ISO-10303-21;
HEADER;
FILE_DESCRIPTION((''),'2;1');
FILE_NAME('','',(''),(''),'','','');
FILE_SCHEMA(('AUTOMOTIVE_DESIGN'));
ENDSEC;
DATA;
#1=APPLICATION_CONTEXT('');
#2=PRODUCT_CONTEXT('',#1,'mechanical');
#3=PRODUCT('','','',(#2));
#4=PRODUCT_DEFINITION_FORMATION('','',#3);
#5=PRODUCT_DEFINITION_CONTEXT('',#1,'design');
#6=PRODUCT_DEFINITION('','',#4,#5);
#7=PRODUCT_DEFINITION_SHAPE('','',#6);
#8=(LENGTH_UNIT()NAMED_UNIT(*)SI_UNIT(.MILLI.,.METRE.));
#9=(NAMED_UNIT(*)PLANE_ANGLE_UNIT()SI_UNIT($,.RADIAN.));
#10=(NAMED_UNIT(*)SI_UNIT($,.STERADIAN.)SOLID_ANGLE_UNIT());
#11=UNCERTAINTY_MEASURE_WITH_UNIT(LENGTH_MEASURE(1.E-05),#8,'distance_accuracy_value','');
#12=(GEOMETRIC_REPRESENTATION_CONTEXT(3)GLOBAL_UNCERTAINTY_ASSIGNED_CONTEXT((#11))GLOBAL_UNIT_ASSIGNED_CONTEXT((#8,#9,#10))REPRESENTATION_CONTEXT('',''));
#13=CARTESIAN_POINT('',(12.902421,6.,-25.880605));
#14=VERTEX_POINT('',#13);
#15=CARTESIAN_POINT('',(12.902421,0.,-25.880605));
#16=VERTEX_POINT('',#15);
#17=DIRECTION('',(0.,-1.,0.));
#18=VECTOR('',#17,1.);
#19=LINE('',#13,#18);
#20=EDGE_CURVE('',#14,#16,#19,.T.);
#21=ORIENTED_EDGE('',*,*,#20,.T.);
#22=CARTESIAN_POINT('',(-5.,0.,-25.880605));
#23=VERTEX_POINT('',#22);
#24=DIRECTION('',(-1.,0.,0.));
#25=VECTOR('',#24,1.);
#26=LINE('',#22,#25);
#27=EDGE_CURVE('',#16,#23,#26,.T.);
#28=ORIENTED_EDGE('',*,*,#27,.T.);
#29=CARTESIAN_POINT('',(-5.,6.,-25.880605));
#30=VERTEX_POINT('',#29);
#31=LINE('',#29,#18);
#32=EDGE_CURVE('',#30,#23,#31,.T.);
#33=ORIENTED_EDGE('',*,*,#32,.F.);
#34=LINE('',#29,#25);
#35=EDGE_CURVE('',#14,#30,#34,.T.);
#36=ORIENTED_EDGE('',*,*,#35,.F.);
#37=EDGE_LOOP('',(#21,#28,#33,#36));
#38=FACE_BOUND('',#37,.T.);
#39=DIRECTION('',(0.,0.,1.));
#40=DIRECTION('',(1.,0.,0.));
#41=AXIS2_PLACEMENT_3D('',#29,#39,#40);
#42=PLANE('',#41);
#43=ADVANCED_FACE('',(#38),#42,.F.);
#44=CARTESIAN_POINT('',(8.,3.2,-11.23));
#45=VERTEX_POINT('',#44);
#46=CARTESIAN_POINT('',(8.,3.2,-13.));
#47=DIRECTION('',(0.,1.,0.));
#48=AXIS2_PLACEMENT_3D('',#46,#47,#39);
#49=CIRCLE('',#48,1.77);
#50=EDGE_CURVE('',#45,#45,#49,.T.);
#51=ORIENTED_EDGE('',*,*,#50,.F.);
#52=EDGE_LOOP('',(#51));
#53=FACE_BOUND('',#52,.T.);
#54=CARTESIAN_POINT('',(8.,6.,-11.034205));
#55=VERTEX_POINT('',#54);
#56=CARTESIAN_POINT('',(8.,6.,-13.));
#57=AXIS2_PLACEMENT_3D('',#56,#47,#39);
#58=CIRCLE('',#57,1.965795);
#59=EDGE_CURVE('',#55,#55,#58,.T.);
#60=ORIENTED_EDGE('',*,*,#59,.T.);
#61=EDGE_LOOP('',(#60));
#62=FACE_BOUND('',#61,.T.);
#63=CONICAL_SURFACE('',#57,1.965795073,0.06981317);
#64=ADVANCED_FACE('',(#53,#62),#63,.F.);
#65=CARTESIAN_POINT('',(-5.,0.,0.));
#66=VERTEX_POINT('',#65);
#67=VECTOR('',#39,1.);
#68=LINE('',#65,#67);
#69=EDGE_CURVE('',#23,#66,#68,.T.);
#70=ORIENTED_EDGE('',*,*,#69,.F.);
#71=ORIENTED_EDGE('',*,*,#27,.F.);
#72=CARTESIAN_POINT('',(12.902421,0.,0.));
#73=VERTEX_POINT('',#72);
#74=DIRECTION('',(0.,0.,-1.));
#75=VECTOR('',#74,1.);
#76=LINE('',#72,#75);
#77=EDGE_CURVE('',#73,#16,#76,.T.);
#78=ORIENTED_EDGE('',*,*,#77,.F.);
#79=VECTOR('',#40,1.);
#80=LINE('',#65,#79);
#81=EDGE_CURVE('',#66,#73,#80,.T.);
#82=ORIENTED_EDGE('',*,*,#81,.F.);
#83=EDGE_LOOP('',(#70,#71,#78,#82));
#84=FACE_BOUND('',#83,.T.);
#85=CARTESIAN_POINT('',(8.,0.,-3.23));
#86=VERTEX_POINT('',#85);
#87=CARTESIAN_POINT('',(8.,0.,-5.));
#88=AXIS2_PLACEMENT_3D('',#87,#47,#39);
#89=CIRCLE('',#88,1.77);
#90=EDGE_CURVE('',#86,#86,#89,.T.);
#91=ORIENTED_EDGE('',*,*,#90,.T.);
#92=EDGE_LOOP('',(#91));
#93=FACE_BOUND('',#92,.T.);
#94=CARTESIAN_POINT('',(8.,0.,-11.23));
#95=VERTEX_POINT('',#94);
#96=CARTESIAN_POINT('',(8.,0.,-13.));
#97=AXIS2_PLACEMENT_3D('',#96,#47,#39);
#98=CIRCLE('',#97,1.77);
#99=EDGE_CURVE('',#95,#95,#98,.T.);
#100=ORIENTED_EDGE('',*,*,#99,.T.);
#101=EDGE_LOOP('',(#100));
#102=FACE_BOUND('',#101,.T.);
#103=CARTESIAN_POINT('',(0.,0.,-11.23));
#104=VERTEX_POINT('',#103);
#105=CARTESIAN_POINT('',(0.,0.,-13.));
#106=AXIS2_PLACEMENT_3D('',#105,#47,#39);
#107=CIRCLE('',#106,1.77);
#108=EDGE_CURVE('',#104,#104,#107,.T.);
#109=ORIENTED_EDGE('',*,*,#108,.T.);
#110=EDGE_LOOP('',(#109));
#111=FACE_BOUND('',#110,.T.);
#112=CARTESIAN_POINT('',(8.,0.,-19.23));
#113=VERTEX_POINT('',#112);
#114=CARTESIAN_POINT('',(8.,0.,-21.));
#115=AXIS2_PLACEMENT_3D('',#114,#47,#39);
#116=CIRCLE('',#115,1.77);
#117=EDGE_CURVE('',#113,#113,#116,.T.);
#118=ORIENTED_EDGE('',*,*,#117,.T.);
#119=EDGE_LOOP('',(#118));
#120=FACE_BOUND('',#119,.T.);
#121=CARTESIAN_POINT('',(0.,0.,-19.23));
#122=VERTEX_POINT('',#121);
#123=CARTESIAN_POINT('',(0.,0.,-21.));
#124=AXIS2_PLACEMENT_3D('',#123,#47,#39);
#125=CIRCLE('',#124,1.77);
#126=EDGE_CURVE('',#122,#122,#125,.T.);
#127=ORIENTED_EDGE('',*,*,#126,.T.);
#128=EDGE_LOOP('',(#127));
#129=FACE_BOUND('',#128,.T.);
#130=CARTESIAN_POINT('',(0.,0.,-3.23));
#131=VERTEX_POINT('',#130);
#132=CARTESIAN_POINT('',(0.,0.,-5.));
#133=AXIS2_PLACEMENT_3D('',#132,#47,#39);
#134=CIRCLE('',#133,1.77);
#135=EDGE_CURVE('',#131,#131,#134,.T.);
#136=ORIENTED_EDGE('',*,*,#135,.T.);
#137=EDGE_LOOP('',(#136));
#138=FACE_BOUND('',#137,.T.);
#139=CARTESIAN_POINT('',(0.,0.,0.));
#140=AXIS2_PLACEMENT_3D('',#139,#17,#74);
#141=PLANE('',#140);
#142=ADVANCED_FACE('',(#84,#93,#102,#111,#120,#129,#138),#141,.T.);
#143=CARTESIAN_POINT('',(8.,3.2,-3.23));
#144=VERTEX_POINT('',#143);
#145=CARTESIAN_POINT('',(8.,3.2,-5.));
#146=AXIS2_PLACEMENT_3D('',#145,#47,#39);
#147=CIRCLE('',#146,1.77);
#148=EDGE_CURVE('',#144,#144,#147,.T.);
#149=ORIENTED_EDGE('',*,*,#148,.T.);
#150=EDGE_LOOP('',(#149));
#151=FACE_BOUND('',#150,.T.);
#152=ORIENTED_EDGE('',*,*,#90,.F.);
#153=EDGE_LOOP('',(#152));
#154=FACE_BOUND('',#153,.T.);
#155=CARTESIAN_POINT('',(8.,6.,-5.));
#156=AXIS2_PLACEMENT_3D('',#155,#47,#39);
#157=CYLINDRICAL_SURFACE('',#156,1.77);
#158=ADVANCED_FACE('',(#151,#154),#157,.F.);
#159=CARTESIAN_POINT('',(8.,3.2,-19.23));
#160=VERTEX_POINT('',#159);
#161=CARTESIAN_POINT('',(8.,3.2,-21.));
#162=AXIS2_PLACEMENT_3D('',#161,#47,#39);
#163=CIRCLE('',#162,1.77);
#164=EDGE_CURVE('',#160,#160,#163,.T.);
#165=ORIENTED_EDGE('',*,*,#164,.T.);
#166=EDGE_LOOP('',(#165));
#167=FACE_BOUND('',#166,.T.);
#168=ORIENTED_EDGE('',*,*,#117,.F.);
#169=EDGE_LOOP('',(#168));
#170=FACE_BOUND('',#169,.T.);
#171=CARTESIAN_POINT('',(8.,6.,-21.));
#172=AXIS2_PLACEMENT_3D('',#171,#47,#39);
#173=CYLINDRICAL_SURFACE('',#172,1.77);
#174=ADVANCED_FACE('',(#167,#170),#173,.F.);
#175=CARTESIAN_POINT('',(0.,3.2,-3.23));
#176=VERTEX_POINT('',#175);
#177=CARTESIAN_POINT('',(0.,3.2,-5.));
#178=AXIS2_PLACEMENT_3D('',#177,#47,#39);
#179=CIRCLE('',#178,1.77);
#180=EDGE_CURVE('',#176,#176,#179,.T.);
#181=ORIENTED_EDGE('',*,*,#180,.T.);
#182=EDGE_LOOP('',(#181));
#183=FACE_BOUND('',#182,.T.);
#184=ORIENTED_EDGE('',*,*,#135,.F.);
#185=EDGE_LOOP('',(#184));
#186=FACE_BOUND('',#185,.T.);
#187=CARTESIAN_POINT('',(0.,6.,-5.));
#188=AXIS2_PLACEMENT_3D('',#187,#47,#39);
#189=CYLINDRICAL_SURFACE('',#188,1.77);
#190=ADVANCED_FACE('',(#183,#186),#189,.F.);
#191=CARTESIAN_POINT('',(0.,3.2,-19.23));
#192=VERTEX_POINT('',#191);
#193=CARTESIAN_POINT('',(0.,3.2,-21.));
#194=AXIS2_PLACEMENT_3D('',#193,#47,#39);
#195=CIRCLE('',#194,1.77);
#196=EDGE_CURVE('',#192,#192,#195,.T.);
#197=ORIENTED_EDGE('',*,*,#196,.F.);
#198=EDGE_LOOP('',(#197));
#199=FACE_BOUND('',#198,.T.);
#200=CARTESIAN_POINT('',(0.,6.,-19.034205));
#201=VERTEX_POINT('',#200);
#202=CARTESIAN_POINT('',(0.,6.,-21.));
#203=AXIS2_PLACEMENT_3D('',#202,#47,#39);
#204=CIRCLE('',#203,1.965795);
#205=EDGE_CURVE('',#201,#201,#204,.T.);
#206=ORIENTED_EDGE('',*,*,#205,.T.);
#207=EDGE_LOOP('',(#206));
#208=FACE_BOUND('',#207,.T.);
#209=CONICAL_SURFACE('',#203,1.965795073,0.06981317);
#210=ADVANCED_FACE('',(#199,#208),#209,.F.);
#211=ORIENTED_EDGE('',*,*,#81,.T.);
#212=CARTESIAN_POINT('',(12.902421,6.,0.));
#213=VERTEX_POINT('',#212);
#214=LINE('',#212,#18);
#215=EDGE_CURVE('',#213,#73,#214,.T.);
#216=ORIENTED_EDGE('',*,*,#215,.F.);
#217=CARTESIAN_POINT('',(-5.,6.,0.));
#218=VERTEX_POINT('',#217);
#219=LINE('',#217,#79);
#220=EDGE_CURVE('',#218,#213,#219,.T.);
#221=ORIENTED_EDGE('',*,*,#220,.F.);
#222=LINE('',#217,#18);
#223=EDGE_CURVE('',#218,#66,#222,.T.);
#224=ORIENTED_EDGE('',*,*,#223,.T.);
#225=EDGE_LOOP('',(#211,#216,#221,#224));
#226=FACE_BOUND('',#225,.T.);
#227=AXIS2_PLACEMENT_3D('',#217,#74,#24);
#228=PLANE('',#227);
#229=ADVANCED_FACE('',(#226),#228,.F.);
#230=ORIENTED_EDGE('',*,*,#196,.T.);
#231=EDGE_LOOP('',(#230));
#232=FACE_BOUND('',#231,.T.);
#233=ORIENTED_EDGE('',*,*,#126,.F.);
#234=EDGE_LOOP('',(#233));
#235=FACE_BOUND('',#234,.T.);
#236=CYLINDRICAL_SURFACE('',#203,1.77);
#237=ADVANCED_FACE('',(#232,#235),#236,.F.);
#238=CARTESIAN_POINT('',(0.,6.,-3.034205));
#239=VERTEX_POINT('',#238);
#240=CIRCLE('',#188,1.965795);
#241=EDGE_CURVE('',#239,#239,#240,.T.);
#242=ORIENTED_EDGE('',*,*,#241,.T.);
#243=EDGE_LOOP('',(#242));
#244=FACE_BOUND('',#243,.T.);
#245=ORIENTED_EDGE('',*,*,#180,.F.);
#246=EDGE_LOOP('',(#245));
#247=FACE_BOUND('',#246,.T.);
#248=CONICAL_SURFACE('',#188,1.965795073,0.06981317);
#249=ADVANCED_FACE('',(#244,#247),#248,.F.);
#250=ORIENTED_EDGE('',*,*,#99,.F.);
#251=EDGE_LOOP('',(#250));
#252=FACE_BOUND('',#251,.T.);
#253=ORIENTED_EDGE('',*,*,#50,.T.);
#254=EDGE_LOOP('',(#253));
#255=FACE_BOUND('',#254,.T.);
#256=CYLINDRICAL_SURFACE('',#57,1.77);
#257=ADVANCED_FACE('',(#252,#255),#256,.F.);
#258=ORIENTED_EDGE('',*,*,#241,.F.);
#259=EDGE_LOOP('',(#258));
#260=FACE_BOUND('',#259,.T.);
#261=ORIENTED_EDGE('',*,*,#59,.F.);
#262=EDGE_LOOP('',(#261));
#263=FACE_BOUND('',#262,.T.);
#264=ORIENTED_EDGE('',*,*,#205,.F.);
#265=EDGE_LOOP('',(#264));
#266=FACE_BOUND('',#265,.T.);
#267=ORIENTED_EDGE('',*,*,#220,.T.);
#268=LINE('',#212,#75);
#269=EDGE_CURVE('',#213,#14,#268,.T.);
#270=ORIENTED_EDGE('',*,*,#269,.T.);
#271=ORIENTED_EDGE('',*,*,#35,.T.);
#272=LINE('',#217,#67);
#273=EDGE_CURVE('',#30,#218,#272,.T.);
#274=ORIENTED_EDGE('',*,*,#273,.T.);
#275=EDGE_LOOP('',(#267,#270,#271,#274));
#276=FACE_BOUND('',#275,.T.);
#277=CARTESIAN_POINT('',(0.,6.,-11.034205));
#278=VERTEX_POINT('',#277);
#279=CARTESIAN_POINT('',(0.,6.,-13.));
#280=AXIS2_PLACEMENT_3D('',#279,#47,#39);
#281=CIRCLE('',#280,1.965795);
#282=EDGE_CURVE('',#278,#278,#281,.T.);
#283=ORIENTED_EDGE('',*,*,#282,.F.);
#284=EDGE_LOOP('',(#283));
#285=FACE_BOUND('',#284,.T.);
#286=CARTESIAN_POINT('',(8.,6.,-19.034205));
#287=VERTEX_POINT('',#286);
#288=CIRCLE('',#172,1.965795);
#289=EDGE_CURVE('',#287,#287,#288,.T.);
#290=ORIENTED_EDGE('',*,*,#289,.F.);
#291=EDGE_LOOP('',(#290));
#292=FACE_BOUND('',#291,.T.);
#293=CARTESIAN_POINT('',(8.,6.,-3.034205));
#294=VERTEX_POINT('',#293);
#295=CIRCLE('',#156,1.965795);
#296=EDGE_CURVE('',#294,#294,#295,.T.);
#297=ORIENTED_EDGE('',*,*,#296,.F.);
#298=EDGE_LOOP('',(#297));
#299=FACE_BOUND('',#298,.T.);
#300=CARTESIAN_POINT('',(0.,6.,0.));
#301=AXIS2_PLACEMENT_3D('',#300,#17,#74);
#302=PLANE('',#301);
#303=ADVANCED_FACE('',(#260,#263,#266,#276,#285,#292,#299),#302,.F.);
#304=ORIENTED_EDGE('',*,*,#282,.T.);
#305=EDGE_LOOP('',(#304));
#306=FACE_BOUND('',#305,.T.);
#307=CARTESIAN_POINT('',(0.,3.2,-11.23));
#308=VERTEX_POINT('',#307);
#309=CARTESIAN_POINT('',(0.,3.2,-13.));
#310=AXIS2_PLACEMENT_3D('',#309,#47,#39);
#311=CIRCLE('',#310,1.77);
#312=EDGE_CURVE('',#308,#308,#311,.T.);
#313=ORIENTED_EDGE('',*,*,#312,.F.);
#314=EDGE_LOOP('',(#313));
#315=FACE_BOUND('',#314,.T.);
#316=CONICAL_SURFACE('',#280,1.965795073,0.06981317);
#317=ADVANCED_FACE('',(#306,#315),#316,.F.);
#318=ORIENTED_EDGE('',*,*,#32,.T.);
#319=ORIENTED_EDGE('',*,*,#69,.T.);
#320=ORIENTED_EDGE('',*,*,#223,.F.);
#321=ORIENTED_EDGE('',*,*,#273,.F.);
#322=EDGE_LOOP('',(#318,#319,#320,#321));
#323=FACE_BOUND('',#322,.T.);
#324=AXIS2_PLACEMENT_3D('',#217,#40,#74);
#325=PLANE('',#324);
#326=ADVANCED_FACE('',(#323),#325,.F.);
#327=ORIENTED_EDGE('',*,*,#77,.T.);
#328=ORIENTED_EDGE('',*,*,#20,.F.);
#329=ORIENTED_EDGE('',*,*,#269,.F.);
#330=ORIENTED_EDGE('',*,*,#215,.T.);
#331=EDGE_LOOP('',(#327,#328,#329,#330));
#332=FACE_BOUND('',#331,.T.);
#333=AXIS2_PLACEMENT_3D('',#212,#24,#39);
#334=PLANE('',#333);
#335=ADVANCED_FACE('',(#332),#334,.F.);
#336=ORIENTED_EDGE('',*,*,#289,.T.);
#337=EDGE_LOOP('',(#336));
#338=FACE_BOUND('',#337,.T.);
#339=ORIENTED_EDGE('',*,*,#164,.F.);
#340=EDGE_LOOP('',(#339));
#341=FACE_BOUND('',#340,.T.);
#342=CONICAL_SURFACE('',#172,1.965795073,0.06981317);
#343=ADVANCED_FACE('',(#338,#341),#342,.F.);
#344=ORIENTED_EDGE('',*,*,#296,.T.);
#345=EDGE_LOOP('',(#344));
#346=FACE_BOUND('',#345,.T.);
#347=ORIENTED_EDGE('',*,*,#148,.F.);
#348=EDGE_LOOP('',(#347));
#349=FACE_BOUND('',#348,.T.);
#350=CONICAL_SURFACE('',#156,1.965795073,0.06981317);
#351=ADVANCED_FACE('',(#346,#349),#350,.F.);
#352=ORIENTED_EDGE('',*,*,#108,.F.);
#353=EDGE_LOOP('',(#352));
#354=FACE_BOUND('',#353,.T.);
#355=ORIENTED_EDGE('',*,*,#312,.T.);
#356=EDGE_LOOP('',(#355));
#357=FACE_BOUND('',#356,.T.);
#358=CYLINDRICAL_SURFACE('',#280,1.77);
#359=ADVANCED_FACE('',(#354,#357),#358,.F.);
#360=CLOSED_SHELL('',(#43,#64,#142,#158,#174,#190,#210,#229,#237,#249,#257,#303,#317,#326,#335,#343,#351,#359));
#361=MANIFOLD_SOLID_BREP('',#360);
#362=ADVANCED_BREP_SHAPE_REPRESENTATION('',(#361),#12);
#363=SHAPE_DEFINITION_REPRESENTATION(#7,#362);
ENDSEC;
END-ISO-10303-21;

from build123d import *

# Parameters (mm, degrees)
SKETCH1_W            = 17.902420718
SKETCH1_H            = 25.880604579
BOSS_EXTRUDE1_DEPTH  = 6
LPATTERN1_COUNT      = 3
LPATTERN1_PITCH      = 8
LPATTERN1_COUNT_DIR2 = 2
LPATTERN1_PITCH_DIR2 = 8


with BuildPart() as part:
    # Sketch1 → Boss-Extrude1 (new body)
    with BuildSketch(Plane(origin=(0, 0, 0), x_dir=(1, 0, 0), z_dir=(0, 1, 0))):
        with Locations((3.951210359, 12.940302289)):
            Rectangle(SKETCH1_W, SKETCH1_H)
    extrude(amount=BOSS_EXTRUDE1_DEPTH)

    # Sketch3 → Cut-Revolve1 (revolve, cut)
    with BuildSketch(Plane.ZY, mode=Mode.PRIVATE) as cut_revolve1_sk:
        Polygon((-5, 6), (-5, 0), (-6.77, 0), (-6.77, 3.2), (-6.965795073, 6), align=None)
    cut_revolve1 = revolve(cut_revolve1_sk.sketch.rotate(Axis((0, 6, -5), (0, -1, 0)), 180), axis=Axis((0, 6, -5), (0, -1, 0)), mode=Mode.SUBTRACT)

    # LPattern1: Cut-Revolve1 3 × 2
    with Locations(*[(j * LPATTERN1_PITCH_DIR2, 0, -i * LPATTERN1_PITCH) for i in range(LPATTERN1_COUNT) for j in range(LPATTERN1_COUNT_DIR2) if (i, j) != (0, 0)]):
        add(cut_revolve1, mode=Mode.SUBTRACT)


solid = part.part
